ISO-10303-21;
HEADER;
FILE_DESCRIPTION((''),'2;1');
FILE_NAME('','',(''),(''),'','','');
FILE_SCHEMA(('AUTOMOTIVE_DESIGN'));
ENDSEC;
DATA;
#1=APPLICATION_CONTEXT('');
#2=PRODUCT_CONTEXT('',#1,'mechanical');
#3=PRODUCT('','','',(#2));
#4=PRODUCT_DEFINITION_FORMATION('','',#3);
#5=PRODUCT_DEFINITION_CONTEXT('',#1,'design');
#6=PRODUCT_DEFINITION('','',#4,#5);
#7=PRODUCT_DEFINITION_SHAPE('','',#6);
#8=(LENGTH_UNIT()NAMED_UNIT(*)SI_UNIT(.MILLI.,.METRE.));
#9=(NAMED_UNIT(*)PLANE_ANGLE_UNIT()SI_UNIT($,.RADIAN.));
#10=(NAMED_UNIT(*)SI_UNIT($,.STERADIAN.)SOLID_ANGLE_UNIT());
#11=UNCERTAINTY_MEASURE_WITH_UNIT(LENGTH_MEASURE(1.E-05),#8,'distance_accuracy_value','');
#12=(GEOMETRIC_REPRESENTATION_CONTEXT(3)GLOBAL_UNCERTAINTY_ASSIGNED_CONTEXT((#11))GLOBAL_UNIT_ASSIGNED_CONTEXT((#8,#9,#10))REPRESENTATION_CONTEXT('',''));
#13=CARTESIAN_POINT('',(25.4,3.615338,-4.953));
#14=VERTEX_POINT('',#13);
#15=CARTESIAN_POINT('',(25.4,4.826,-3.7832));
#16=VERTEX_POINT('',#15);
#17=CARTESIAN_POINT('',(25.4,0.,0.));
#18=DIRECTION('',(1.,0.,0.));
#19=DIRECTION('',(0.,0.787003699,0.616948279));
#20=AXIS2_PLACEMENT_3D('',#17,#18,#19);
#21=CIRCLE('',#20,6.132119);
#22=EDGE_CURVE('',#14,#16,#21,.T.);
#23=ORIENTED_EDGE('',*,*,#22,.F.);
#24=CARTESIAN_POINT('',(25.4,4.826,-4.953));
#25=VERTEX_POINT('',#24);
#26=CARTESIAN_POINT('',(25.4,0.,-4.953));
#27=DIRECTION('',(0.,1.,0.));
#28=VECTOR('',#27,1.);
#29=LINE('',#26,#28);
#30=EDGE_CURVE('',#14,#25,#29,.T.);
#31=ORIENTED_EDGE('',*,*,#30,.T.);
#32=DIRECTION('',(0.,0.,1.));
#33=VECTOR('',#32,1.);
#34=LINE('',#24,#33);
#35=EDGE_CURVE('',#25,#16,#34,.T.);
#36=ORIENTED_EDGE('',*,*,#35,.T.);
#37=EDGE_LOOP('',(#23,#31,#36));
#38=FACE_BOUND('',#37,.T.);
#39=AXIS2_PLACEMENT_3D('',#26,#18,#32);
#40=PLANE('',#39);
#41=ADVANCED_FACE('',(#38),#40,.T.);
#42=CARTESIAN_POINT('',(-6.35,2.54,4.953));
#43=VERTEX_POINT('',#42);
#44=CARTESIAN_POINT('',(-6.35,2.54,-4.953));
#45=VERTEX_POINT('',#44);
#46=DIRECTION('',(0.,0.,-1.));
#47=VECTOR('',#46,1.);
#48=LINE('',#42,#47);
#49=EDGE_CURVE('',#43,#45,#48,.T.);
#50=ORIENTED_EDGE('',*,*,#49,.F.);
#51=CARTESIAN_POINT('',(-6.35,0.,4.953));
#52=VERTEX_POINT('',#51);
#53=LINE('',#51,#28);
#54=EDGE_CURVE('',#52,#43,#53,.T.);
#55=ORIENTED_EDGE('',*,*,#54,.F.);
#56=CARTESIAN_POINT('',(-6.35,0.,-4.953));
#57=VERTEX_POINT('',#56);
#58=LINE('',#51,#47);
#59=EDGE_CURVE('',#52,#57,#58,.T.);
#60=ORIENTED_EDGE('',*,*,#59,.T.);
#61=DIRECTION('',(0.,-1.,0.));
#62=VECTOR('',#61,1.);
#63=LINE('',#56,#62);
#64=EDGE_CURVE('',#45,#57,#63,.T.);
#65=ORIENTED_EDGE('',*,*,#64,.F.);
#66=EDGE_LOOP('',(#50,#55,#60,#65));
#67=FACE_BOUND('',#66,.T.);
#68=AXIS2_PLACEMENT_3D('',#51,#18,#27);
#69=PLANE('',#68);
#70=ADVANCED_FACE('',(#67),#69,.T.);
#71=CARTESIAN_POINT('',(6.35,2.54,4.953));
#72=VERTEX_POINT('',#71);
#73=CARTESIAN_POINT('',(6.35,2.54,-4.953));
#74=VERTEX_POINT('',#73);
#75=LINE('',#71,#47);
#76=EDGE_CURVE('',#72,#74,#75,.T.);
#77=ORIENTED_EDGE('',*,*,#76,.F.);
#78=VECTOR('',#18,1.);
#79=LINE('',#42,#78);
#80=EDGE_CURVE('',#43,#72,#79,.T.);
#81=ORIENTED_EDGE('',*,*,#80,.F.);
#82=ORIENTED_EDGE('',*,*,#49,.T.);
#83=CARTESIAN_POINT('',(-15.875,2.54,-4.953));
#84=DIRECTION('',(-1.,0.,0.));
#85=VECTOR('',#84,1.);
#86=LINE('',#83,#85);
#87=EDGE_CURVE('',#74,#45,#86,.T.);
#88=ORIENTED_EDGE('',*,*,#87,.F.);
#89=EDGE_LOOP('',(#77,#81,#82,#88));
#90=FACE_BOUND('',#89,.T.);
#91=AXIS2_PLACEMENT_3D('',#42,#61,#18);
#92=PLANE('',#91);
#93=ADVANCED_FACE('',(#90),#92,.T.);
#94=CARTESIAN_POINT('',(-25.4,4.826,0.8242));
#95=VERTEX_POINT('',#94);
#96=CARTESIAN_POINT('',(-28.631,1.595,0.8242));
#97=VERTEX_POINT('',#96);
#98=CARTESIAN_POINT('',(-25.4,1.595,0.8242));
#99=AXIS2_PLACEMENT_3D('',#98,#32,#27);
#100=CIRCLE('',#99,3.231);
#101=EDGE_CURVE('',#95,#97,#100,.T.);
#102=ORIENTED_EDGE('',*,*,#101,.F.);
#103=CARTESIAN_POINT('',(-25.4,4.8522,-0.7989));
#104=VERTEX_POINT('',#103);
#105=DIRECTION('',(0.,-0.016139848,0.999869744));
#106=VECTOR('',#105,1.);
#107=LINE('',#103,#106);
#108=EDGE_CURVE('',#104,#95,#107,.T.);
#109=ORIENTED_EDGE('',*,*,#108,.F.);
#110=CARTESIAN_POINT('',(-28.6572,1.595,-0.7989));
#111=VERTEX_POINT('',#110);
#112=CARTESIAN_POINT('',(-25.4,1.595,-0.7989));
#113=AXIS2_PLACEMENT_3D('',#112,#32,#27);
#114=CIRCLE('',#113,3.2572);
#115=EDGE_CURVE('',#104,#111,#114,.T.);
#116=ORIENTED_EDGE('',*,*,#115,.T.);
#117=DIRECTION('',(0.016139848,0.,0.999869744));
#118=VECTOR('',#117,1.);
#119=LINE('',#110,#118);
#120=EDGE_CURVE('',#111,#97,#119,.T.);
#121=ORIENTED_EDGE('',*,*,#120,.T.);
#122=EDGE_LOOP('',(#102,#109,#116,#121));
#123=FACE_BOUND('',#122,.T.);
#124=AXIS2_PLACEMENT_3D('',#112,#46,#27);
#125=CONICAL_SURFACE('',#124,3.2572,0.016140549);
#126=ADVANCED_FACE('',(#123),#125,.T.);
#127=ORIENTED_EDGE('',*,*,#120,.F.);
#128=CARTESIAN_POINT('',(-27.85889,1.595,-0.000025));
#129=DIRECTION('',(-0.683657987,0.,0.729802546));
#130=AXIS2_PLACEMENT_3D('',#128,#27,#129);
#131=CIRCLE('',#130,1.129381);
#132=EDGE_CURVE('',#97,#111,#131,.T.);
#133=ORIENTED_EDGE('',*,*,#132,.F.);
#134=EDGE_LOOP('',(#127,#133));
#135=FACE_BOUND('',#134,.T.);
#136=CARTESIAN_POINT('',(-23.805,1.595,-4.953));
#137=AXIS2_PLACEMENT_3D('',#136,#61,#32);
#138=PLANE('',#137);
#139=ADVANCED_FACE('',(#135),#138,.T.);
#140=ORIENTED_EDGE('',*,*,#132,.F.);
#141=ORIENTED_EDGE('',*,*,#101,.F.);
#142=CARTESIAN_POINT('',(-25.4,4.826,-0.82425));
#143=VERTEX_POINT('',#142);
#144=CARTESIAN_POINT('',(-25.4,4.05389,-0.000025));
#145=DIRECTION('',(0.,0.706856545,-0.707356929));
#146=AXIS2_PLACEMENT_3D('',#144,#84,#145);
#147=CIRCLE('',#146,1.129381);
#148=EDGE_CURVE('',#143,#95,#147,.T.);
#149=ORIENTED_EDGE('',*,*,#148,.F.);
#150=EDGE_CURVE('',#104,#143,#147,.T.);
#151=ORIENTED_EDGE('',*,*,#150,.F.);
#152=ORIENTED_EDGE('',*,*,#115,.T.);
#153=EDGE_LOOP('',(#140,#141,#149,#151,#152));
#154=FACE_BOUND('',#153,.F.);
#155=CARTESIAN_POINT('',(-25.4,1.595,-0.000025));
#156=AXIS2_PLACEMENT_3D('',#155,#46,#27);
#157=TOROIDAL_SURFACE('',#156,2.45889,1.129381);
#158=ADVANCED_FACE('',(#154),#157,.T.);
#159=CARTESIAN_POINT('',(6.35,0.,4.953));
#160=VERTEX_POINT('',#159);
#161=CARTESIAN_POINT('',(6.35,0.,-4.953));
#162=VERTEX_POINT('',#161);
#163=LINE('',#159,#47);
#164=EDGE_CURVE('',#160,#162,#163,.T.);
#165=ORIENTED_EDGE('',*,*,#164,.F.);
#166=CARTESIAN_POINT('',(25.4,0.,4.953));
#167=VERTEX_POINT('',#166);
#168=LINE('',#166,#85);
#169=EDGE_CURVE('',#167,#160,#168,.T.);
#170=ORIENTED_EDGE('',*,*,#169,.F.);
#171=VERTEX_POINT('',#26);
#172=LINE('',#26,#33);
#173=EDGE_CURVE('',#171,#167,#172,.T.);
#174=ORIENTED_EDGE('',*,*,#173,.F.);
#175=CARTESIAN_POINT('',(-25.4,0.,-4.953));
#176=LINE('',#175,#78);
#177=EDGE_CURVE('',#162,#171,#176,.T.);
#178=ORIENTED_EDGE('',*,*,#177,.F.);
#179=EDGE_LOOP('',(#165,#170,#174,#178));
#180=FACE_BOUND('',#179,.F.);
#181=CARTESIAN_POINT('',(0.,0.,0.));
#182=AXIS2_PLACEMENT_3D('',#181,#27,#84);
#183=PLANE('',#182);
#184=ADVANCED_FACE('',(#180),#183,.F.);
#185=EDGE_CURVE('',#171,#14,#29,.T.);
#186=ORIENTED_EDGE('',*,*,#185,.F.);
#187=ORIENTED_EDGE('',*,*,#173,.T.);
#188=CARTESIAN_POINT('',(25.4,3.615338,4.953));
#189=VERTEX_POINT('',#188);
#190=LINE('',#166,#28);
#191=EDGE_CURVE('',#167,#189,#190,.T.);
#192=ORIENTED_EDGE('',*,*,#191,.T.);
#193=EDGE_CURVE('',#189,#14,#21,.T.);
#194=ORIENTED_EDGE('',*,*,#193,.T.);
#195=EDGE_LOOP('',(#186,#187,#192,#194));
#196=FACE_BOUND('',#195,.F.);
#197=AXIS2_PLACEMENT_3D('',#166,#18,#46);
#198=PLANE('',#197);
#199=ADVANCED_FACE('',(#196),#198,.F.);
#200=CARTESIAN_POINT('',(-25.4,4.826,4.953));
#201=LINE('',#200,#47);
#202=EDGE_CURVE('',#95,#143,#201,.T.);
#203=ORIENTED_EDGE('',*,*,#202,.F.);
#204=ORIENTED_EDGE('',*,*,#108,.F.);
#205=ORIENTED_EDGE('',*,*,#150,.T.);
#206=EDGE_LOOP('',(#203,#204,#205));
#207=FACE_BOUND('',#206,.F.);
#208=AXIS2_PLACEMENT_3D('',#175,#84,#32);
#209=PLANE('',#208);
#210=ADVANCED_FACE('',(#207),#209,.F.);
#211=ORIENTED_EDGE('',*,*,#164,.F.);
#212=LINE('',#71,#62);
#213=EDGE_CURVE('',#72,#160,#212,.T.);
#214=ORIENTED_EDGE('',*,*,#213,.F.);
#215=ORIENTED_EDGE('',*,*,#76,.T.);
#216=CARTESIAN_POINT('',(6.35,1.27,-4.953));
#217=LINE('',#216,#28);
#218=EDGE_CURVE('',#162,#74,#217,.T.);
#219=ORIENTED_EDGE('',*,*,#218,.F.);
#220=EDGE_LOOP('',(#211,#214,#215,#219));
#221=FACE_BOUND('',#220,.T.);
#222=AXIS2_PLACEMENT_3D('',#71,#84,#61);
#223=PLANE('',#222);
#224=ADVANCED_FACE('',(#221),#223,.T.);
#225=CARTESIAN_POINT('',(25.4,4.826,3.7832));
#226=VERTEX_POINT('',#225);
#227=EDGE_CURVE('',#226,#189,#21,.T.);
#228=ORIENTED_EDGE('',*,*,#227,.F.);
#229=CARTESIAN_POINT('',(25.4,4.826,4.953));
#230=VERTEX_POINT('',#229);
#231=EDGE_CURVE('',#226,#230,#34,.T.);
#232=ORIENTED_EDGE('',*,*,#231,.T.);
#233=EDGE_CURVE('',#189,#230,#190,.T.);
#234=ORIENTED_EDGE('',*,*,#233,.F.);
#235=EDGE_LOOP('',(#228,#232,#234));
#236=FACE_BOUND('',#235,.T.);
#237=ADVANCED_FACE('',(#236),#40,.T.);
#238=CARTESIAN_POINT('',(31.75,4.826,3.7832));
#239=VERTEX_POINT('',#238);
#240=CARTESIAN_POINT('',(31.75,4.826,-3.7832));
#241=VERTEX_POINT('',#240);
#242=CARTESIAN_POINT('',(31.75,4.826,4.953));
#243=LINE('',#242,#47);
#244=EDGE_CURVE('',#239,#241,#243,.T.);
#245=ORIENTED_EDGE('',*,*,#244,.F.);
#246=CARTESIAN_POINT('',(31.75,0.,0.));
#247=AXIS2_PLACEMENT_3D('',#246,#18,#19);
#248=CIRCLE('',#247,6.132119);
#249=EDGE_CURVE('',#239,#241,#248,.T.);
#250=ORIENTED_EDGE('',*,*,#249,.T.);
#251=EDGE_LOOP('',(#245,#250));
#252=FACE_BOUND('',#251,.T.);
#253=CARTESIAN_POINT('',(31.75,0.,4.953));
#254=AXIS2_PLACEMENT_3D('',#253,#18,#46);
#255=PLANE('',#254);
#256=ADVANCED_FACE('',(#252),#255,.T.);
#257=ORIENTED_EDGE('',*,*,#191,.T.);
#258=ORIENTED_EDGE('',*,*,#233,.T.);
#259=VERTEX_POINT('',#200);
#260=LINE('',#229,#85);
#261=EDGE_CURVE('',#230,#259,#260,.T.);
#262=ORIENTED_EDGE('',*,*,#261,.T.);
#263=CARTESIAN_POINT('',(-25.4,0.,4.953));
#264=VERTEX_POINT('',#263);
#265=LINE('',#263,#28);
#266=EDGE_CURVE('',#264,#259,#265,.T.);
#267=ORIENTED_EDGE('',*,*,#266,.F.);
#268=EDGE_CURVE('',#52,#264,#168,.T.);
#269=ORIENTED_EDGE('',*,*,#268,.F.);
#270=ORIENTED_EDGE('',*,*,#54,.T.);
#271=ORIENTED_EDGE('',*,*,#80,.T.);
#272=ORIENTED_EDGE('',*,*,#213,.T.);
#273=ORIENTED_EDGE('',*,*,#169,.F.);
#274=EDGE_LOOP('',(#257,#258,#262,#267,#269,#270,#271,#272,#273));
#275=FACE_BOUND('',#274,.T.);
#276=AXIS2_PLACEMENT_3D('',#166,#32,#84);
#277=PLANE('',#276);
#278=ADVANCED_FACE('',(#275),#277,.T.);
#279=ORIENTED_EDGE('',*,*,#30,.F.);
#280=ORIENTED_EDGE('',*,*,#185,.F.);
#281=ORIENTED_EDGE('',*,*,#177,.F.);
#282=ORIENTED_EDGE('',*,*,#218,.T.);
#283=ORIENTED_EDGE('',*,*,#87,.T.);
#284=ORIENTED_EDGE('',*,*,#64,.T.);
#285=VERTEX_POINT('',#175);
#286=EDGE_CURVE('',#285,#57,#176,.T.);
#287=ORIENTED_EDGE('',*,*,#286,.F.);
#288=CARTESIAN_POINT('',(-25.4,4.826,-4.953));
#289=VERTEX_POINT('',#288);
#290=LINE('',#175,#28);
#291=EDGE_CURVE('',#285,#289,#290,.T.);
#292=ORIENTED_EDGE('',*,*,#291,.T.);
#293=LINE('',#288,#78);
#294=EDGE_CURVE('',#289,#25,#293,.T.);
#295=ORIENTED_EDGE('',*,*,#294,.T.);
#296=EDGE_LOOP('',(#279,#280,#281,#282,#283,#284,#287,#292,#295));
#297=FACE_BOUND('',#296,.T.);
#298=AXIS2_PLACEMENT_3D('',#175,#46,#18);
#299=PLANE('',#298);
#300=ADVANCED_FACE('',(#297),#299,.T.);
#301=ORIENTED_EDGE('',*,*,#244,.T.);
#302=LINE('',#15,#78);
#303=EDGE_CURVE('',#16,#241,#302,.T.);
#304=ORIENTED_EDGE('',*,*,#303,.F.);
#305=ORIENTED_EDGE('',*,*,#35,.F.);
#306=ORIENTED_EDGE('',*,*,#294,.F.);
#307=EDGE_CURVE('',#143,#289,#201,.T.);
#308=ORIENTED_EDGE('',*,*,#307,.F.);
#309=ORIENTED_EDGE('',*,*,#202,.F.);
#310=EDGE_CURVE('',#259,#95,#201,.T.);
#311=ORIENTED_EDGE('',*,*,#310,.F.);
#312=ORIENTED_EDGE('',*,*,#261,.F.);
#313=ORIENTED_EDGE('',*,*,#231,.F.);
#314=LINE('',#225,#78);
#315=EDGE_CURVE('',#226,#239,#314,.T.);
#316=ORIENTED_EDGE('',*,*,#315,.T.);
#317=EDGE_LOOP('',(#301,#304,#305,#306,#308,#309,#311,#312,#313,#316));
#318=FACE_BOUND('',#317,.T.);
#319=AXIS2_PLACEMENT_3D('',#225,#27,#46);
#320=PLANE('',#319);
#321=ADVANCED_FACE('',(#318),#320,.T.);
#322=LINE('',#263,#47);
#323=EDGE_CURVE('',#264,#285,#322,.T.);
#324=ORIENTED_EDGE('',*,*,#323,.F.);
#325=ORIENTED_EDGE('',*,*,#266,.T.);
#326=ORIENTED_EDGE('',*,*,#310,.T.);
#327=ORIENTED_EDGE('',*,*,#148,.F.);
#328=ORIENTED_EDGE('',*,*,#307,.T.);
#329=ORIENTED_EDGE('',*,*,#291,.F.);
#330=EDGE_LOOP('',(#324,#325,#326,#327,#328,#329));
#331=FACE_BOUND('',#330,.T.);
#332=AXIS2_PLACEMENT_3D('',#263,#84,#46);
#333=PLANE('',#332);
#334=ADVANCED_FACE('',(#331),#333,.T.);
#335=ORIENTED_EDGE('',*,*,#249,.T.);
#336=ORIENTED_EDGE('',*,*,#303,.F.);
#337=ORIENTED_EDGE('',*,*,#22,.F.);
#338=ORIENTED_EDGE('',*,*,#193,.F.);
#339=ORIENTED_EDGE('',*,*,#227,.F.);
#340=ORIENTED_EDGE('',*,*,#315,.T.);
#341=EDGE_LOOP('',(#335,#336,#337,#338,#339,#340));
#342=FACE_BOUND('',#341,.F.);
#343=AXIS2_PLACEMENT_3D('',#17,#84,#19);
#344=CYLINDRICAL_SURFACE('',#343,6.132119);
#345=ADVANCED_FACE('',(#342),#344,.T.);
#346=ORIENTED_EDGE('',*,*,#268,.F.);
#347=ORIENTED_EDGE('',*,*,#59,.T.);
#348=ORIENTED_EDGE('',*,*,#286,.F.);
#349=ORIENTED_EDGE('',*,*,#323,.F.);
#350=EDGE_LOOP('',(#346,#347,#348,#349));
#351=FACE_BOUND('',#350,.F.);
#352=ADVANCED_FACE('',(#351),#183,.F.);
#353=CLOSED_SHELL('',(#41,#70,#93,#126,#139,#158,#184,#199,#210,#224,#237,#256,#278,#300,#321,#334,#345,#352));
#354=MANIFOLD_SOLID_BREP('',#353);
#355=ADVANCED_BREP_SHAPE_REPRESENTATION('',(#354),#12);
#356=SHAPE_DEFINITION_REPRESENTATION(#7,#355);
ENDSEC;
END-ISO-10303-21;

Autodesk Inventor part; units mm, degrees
ref_plane "YZ Plane" through (0, 0, 0) normal (1, 0, 0) x (0, 1, 0)
ref_plane "XZ Plane" through (0, 0, 0) normal (0, 1, 0) x (-1, 0, 0)
ref_plane "XY Plane" through (0, 0, 0) normal (0, 0, 1) x (1, 0, 0)
sketch "Sketch1" plane through (0, 0, 0) normal (0, 1, 0) x (-1, 0, 0)
  line L0 (-25.4, 4.953) -> (25.4, 4.953)
  line L1 (25.4, 4.953) -> (25.4, -4.953)
  line L2 (25.4, -4.953) -> (-25.4, -4.953)
  line L3 (-25.4, -4.953) -> (-25.4, 4.953)
  line L4 (-25.4, 4.953) -> (25.4, -4.953) construction
  line L5 (25.4, 4.953) -> (-25.4, -4.953) construction
  point P0 (0, 0)
  dimension "d0" = 50.8
  dimension "d1" = 9.906
extrude "Extrusion1" add sketch "Sketch1" along normal blind 4.826
sketch "Sketch2" plane through (-25.4, 0, 4.953) normal (0, 0, 1) x (1, 0, 0)
  line L0 (19.05, 0) -> (19.05, 2.54)
  line L1 (19.05, 2.54) -> (31.75, 2.54)
  line L2 (31.75, 2.54) -> (31.75, 0)
  line L3 (25.4, 0) -> (19.05, 2.54) construction
  line L4 (25.4, 0) -> (31.75, 2.54) construction
  line L5 (19.05, 0) -> (31.75, 0)
  line L6 (50.8, 0) -> (0, 0) projected
  point P0 (25.4, 0)
extrude "Extrusion2" cut sketch "Sketch2" against normal blind 12.7
sketch "Sketch3" plane through (25.4, 0, 4.953) normal (1, 0, 0) x (0, 0, -1)
  arc A0 (1.1698, 4.826) -> (8.7362, 4.826) centre (4.953, 0) ccw
  line L0 (0, 4.826) -> (9.906, 4.826) projected
  line L1 (1.1698, 4.826) -> (8.7362, 4.826)
extrude "Extrusion3" add sketch "Sketch3" along normal blind 6.35
sketch "Sketch4" plane through (-25.4, 0, -4.953) normal (-1, 0, 0) x (0, 0, 1)
  point P0 (4.953, 0)
sketch "Sketch5" plane through (-25.4, 0, -4.953) normal (-1, 0, 0) x (0, 0, 1)
  arc A0 (4.1541, 4.8522) -> (5.7772, 4.826) centre (4.953, 4.0539) ccw
  line L0 (9.906, 1.595) -> (0, 1.595)
  line L1 (9.906, 0) -> (0, 0) projected
  line L2 (4.1541, 4.8522) -> (5.7772, 4.826)
  line L3 (1.1698, 4.826) -> (8.7362, 4.826) projected
  point P0 (4.953, 0)
revolve "Revolution1" add sketch "Sketch5" angle 90 about axis through (-25.4, 1.595, 4.953) along (0, 0, 1)
properties part number "pig_nose_tail"
